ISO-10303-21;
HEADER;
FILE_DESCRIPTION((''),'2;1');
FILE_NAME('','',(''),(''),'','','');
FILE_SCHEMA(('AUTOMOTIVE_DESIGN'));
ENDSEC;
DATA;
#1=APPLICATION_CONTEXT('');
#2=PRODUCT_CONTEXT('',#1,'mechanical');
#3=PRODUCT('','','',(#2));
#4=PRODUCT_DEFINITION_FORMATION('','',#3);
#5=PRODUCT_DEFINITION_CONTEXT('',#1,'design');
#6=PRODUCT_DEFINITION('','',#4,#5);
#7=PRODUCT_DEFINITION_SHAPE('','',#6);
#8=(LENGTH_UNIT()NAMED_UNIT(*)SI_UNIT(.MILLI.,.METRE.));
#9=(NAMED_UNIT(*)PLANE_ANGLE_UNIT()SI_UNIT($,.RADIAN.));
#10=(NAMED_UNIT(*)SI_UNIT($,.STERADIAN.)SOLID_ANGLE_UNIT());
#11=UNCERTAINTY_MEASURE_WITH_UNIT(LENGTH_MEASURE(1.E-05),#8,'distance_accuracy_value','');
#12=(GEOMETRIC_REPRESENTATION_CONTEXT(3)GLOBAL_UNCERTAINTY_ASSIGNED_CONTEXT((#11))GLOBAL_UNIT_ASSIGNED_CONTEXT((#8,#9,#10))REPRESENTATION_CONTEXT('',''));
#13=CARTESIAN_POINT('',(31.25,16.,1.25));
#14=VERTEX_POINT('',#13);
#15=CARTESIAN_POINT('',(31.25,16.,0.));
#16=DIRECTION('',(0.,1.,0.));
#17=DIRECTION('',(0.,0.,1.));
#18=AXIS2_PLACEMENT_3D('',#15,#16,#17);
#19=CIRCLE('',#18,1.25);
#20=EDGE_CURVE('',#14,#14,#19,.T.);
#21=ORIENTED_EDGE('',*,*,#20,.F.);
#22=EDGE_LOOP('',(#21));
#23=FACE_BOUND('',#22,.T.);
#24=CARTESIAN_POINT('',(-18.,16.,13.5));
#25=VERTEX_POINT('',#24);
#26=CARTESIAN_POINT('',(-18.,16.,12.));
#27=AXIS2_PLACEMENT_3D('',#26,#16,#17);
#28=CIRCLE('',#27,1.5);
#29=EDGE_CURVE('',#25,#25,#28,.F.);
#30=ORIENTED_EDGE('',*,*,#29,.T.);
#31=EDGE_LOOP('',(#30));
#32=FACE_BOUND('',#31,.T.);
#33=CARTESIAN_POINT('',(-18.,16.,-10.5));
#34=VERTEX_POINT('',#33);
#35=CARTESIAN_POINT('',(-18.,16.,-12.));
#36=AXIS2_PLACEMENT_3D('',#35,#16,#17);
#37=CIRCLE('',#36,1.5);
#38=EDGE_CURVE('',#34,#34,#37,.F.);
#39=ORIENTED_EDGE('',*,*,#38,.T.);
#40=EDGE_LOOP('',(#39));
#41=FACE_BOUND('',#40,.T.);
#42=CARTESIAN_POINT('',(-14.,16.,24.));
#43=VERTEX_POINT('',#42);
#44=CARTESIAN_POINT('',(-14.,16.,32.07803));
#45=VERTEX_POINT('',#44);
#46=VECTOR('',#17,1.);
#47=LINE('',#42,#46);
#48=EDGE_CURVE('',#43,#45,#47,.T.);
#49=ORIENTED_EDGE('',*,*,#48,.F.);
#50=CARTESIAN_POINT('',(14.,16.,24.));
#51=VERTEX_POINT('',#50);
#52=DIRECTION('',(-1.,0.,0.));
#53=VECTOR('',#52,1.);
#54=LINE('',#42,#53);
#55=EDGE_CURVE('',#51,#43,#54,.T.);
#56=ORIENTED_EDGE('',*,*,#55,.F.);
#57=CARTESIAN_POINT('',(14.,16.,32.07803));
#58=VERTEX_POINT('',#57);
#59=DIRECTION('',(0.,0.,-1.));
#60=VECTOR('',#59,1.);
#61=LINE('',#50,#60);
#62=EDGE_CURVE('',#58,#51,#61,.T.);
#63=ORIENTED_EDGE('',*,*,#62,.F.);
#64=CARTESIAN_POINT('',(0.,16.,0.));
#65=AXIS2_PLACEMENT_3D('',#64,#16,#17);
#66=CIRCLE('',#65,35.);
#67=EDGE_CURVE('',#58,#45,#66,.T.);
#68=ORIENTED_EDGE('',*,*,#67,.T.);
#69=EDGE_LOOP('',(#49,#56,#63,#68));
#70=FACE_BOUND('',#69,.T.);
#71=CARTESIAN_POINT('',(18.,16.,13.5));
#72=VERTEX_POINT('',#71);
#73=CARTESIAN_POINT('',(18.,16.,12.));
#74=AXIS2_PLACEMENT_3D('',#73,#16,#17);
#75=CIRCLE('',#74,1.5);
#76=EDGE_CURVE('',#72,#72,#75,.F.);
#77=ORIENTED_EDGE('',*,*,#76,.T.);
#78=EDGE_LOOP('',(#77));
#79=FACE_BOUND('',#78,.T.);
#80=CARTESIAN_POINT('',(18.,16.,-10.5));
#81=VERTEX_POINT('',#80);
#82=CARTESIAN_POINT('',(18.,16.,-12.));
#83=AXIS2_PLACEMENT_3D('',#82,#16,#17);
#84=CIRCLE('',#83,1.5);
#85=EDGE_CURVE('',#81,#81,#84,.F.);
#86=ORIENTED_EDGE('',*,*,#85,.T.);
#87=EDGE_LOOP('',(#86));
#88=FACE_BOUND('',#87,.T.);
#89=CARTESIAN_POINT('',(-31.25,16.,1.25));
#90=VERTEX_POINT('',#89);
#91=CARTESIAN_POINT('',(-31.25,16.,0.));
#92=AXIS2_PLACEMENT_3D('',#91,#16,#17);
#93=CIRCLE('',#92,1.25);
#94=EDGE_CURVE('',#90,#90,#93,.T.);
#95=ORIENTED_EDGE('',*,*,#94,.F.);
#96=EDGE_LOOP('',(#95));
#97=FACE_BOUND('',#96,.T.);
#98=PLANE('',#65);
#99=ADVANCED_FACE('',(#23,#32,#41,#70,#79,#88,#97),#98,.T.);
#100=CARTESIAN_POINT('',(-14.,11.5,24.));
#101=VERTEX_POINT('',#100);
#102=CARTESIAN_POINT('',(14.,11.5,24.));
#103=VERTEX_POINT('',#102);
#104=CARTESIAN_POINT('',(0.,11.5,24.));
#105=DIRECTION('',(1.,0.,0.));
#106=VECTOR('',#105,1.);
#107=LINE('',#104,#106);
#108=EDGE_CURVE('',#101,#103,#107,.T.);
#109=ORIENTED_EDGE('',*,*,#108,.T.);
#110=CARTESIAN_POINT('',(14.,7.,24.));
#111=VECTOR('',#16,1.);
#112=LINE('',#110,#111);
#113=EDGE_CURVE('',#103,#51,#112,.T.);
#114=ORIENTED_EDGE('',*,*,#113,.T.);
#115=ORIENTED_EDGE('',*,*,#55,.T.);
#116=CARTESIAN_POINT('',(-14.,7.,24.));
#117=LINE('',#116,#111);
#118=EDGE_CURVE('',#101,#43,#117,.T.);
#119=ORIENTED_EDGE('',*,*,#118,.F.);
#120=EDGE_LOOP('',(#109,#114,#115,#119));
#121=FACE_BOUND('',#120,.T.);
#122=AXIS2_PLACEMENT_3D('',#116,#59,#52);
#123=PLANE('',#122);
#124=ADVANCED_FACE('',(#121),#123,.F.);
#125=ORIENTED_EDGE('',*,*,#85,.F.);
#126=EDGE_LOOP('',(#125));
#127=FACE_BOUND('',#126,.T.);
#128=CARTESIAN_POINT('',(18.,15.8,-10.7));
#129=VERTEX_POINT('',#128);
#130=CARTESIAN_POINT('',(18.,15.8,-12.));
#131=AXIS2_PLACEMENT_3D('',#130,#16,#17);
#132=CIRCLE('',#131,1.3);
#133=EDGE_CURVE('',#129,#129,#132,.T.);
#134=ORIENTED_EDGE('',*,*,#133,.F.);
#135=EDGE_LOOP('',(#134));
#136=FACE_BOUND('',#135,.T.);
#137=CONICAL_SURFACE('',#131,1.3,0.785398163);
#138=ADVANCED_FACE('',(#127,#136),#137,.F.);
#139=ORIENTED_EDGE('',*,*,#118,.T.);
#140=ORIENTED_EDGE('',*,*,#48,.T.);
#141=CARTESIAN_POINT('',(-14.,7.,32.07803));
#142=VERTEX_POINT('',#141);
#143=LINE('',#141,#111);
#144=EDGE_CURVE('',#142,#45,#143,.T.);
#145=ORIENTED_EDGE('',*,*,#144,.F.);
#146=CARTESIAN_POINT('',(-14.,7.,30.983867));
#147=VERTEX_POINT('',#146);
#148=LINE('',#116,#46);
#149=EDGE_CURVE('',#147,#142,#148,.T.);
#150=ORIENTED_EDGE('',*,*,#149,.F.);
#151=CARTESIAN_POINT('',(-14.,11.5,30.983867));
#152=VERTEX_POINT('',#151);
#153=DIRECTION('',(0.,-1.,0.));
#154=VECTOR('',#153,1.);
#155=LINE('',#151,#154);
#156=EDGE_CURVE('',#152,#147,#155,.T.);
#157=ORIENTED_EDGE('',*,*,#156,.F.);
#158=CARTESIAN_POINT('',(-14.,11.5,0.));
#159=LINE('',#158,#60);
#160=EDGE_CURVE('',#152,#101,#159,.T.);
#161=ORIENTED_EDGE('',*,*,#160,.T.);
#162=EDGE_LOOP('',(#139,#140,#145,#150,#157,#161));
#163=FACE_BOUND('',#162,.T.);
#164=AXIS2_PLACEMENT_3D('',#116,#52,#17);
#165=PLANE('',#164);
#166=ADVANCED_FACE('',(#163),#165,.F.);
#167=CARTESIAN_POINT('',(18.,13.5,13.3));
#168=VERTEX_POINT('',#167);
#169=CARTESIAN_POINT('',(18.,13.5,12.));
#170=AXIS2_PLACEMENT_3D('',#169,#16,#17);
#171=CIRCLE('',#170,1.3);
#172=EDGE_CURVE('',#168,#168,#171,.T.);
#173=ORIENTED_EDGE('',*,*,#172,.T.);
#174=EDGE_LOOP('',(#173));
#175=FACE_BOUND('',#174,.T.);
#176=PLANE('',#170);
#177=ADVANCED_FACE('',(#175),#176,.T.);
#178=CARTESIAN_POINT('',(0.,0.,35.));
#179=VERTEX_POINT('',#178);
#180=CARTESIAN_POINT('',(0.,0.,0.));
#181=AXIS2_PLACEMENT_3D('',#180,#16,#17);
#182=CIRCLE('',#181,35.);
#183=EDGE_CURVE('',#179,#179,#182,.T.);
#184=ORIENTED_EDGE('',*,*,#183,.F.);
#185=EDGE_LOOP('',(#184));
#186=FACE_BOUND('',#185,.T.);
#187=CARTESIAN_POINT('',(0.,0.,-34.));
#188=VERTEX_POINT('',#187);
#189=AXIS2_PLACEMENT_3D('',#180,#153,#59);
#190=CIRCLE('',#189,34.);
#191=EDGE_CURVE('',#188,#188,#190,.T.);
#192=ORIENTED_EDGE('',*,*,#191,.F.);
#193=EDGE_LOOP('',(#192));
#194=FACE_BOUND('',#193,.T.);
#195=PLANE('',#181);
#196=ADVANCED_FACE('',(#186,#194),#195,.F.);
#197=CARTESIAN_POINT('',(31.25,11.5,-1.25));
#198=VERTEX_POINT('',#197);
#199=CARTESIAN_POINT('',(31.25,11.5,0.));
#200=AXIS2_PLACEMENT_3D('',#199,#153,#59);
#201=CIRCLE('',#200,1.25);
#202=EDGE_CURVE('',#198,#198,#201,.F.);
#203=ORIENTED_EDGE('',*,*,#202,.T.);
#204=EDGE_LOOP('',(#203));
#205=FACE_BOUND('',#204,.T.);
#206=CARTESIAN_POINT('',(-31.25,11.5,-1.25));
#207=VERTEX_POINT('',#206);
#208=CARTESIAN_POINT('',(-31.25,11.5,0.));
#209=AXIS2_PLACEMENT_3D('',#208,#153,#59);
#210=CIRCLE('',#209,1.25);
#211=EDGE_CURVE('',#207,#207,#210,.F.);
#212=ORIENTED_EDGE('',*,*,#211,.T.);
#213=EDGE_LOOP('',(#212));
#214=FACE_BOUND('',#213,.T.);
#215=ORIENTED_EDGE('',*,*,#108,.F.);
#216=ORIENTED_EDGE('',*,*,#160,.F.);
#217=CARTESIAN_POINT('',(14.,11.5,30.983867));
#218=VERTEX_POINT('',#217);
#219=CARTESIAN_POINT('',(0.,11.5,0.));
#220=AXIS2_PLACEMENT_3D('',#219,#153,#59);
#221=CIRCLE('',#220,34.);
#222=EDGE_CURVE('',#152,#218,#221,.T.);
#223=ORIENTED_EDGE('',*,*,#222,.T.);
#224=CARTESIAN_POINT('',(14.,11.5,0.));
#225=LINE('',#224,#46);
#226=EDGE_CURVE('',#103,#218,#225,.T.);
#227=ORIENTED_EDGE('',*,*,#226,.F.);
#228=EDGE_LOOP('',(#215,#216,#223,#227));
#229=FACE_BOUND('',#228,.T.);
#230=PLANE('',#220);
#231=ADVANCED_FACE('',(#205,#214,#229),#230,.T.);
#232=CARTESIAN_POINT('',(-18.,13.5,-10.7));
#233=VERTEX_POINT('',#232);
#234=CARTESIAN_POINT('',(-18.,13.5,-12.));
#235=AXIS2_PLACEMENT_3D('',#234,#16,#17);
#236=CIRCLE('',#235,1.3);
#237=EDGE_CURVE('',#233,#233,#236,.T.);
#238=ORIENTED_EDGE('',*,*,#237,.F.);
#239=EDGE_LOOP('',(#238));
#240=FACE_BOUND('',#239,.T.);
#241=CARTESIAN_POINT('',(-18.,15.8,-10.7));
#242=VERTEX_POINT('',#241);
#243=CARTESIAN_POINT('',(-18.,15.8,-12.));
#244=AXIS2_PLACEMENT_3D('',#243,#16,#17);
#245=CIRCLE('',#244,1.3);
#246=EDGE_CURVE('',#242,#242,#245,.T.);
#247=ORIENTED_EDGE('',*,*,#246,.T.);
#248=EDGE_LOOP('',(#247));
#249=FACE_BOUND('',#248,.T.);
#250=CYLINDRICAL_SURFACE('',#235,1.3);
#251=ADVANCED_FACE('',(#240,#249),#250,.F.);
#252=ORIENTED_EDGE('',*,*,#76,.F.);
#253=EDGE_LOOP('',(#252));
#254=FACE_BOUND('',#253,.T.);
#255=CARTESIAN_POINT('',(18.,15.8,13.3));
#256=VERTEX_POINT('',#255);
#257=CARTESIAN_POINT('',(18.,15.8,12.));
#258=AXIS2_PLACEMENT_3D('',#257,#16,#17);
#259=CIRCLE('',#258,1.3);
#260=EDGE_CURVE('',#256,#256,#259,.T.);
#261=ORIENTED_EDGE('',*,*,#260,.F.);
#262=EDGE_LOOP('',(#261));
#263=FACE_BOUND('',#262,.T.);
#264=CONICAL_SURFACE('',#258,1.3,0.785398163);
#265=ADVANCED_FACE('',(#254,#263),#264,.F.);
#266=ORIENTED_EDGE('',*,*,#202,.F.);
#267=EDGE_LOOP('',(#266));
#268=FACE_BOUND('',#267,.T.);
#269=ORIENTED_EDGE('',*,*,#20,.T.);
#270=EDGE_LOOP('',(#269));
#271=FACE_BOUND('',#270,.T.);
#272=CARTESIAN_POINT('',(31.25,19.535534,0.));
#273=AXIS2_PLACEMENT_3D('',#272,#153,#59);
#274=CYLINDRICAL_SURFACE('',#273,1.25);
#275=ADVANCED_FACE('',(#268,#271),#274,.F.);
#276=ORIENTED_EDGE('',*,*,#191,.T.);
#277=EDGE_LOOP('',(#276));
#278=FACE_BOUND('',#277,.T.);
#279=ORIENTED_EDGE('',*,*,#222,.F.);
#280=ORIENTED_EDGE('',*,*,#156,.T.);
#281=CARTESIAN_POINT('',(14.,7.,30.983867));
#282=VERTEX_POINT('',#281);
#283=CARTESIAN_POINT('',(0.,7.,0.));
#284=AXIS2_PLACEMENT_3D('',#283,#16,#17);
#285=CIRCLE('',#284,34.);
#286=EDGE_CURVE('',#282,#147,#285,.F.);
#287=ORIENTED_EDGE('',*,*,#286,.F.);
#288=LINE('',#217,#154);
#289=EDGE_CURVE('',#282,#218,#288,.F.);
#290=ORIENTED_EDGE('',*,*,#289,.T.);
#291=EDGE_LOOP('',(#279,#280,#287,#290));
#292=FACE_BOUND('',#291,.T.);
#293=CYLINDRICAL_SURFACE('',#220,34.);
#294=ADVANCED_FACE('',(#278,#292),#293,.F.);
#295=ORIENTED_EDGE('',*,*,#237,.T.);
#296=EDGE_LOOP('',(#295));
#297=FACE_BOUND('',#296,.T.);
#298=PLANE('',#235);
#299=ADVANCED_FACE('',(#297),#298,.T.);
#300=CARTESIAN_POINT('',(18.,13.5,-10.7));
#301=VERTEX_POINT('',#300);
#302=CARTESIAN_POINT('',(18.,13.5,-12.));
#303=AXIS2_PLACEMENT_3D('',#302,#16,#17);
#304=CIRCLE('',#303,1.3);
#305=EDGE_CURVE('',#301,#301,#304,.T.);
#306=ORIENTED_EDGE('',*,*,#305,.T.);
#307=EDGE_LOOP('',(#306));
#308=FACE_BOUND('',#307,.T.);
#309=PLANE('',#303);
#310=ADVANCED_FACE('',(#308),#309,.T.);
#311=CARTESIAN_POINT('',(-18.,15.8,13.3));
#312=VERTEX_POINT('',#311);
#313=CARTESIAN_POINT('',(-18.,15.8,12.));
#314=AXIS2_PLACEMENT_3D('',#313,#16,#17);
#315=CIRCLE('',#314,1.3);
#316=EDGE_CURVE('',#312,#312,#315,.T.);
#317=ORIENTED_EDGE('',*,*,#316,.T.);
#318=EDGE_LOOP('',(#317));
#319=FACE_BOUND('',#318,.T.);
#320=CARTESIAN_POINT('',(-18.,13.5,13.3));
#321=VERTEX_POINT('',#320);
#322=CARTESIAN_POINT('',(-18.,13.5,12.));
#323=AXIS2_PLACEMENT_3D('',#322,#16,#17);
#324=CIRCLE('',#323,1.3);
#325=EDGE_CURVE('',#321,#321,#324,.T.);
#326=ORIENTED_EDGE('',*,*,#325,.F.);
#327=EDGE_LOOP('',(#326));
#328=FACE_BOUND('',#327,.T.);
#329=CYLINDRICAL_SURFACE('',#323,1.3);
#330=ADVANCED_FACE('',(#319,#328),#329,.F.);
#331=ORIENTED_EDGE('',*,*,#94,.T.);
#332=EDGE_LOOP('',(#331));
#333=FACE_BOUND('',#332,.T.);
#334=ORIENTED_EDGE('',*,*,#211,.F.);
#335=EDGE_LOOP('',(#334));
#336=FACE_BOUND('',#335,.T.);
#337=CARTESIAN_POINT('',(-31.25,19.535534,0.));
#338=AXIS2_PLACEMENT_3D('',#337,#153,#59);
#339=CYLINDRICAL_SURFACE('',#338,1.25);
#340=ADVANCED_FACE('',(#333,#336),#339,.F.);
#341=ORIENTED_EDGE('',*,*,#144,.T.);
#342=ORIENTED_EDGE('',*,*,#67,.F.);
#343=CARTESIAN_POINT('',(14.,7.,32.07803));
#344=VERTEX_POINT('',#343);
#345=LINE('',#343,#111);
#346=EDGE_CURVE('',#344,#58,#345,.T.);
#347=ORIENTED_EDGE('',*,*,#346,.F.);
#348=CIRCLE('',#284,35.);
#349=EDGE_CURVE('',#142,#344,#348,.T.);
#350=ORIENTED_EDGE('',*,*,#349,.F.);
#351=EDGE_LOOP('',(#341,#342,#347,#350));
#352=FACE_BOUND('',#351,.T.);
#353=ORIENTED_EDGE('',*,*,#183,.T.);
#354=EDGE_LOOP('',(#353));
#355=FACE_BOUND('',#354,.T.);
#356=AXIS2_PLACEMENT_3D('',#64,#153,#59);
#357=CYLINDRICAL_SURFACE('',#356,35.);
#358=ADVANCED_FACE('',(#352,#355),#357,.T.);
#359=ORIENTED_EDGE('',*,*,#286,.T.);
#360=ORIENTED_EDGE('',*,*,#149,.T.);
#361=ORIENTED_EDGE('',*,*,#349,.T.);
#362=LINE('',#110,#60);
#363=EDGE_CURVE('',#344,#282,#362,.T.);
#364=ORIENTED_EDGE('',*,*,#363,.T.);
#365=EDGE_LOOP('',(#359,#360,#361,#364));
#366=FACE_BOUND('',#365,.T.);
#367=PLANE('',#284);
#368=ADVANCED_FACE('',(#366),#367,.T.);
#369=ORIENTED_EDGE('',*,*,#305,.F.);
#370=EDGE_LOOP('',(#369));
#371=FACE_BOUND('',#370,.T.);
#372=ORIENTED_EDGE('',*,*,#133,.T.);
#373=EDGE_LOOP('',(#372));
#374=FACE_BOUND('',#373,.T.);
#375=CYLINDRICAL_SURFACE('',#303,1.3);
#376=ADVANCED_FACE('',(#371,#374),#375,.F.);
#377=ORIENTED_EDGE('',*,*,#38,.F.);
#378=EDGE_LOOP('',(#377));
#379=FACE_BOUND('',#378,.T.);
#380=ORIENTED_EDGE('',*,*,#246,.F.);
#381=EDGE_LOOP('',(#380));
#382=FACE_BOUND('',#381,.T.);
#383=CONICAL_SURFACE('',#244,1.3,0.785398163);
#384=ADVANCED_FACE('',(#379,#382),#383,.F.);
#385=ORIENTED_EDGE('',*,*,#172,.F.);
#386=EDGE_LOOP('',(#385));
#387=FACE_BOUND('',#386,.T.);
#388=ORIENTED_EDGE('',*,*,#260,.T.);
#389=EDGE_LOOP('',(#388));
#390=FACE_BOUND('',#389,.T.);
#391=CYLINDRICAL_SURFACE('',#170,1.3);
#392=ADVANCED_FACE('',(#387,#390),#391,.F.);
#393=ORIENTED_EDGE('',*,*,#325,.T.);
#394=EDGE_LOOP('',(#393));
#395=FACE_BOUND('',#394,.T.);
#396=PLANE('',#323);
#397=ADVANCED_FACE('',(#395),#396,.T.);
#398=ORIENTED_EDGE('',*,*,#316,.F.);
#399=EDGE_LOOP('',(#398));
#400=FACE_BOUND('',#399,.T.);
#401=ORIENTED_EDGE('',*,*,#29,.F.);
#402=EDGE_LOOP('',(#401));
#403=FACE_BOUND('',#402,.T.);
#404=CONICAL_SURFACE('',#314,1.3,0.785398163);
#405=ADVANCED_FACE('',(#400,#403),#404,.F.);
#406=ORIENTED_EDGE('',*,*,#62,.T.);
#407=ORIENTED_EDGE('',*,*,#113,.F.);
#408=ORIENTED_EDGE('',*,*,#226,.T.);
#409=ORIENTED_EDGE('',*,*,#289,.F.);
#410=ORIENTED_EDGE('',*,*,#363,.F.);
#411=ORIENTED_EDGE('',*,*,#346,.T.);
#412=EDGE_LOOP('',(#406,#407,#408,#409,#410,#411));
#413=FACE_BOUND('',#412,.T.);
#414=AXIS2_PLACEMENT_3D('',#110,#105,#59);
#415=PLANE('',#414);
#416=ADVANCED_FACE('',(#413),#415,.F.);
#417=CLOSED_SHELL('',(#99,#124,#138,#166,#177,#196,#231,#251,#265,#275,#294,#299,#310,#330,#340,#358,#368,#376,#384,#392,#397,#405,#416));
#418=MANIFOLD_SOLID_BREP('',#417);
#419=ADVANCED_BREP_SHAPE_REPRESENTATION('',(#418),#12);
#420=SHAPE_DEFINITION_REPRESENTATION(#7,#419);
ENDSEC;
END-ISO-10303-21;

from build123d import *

# Parameters (mm, degrees)
SKETCH_1_R          = 35
EXTRUDE_1_DEPTH     = 16
SKETCH_2_R          = 34
CUT_EXTRUDE_1_DEPTH = 11.5
SKETCH_3_R          = 1.25
CUT_EXTRUDE_4_DEPTH = 16
CUT_EXTRUDE_START   = -9
CUT_EXTRUDE_5_DEPTH = 9
SKETCH_5_R          = 1.3
CUT_EXTRUDE_6_DEPTH = 2.5
CHAMFER_1_SIZE      = 0.2


with BuildPart() as part:
    # 草圖1 → 填料-伸長1 (new body)
    with BuildSketch(Plane(origin=(0, 0, 0), x_dir=(1, 0, 0), z_dir=(0, 1, 0))):
        with Locations(Location((0, 0, 0), (0, 0, 270))):
            Circle(SKETCH_1_R)
    extrude(amount=EXTRUDE_1_DEPTH)

    # 草圖2 → 除料-伸長1 (cut)
    with BuildSketch(Plane.XZ):
        with Locations(Location((0, 0, 0), (0, 0, 270))):
            Circle(SKETCH_2_R)
    extrude(amount=-CUT_EXTRUDE_1_DEPTH, mode=Mode.SUBTRACT)

    # 草圖3 → 除料-伸長4 (cut)
    with BuildSketch(Plane(origin=(0, 0, 0), x_dir=(1, 0, 0), z_dir=(0, 1, 0))):
        with Locations(Location((-31.25, 0, 0), (0, 0, 90))):
            Circle(SKETCH_3_R)
        with Locations(Location((31.25, 0, 0), (0, 0, 90))):
            Circle(SKETCH_3_R)
    extrude(amount=CUT_EXTRUDE_4_DEPTH, mode=Mode.SUBTRACT)

    # 草圖4 → 除料-伸長5 (cut)
    with BuildSketch(Plane(origin=(0, 16, 0), x_dir=(1, 0, 0), z_dir=(0, 1, 0)).offset(CUT_EXTRUDE_START)):
        with BuildLine():
            Line((-14, -24), (14, -24))
            Line((14, -24), (14, -32.078029865))
            ThreePointArc((14, -32.078029865), (0, -35), (-14, -32.078029865))
            Line((-14, -32.078029865), (-14, -24))
        make_face()
    extrude(amount=CUT_EXTRUDE_5_DEPTH, mode=Mode.SUBTRACT)

    # 草圖5 → 除料-伸長6 (cut)
    with BuildSketch(Plane(origin=(0, 16, 0), x_dir=(1, 0, 0), z_dir=(0, 1, 0))):
        with Locations(Location((-18, 12, 0), (0, 0, 270))):
            Circle(SKETCH_5_R)
        with Locations(Location((18, 12, 0), (0, 0, 270))):
            Circle(SKETCH_5_R)
        with Locations(Location((18, -12, 0), (0, 0, 270))):
            Circle(SKETCH_5_R)
        with Locations(Location((-18, -12, 0), (0, 0, 270))):
            Circle(SKETCH_5_R)
    extrude(amount=-CUT_EXTRUDE_6_DEPTH, mode=Mode.SUBTRACT)

    # 導角1
    chamfer_1_edges = [part.edges().sort_by_distance(p)[0] for p in [
        (-18, 16, 10.7),
        (18, 16, 10.7),
        (18, 16, -13.3),
        (-18, 16, -13.3),
    ]]
    chamfer(chamfer_1_edges, length=CHAMFER_1_SIZE)


solid = part.part
